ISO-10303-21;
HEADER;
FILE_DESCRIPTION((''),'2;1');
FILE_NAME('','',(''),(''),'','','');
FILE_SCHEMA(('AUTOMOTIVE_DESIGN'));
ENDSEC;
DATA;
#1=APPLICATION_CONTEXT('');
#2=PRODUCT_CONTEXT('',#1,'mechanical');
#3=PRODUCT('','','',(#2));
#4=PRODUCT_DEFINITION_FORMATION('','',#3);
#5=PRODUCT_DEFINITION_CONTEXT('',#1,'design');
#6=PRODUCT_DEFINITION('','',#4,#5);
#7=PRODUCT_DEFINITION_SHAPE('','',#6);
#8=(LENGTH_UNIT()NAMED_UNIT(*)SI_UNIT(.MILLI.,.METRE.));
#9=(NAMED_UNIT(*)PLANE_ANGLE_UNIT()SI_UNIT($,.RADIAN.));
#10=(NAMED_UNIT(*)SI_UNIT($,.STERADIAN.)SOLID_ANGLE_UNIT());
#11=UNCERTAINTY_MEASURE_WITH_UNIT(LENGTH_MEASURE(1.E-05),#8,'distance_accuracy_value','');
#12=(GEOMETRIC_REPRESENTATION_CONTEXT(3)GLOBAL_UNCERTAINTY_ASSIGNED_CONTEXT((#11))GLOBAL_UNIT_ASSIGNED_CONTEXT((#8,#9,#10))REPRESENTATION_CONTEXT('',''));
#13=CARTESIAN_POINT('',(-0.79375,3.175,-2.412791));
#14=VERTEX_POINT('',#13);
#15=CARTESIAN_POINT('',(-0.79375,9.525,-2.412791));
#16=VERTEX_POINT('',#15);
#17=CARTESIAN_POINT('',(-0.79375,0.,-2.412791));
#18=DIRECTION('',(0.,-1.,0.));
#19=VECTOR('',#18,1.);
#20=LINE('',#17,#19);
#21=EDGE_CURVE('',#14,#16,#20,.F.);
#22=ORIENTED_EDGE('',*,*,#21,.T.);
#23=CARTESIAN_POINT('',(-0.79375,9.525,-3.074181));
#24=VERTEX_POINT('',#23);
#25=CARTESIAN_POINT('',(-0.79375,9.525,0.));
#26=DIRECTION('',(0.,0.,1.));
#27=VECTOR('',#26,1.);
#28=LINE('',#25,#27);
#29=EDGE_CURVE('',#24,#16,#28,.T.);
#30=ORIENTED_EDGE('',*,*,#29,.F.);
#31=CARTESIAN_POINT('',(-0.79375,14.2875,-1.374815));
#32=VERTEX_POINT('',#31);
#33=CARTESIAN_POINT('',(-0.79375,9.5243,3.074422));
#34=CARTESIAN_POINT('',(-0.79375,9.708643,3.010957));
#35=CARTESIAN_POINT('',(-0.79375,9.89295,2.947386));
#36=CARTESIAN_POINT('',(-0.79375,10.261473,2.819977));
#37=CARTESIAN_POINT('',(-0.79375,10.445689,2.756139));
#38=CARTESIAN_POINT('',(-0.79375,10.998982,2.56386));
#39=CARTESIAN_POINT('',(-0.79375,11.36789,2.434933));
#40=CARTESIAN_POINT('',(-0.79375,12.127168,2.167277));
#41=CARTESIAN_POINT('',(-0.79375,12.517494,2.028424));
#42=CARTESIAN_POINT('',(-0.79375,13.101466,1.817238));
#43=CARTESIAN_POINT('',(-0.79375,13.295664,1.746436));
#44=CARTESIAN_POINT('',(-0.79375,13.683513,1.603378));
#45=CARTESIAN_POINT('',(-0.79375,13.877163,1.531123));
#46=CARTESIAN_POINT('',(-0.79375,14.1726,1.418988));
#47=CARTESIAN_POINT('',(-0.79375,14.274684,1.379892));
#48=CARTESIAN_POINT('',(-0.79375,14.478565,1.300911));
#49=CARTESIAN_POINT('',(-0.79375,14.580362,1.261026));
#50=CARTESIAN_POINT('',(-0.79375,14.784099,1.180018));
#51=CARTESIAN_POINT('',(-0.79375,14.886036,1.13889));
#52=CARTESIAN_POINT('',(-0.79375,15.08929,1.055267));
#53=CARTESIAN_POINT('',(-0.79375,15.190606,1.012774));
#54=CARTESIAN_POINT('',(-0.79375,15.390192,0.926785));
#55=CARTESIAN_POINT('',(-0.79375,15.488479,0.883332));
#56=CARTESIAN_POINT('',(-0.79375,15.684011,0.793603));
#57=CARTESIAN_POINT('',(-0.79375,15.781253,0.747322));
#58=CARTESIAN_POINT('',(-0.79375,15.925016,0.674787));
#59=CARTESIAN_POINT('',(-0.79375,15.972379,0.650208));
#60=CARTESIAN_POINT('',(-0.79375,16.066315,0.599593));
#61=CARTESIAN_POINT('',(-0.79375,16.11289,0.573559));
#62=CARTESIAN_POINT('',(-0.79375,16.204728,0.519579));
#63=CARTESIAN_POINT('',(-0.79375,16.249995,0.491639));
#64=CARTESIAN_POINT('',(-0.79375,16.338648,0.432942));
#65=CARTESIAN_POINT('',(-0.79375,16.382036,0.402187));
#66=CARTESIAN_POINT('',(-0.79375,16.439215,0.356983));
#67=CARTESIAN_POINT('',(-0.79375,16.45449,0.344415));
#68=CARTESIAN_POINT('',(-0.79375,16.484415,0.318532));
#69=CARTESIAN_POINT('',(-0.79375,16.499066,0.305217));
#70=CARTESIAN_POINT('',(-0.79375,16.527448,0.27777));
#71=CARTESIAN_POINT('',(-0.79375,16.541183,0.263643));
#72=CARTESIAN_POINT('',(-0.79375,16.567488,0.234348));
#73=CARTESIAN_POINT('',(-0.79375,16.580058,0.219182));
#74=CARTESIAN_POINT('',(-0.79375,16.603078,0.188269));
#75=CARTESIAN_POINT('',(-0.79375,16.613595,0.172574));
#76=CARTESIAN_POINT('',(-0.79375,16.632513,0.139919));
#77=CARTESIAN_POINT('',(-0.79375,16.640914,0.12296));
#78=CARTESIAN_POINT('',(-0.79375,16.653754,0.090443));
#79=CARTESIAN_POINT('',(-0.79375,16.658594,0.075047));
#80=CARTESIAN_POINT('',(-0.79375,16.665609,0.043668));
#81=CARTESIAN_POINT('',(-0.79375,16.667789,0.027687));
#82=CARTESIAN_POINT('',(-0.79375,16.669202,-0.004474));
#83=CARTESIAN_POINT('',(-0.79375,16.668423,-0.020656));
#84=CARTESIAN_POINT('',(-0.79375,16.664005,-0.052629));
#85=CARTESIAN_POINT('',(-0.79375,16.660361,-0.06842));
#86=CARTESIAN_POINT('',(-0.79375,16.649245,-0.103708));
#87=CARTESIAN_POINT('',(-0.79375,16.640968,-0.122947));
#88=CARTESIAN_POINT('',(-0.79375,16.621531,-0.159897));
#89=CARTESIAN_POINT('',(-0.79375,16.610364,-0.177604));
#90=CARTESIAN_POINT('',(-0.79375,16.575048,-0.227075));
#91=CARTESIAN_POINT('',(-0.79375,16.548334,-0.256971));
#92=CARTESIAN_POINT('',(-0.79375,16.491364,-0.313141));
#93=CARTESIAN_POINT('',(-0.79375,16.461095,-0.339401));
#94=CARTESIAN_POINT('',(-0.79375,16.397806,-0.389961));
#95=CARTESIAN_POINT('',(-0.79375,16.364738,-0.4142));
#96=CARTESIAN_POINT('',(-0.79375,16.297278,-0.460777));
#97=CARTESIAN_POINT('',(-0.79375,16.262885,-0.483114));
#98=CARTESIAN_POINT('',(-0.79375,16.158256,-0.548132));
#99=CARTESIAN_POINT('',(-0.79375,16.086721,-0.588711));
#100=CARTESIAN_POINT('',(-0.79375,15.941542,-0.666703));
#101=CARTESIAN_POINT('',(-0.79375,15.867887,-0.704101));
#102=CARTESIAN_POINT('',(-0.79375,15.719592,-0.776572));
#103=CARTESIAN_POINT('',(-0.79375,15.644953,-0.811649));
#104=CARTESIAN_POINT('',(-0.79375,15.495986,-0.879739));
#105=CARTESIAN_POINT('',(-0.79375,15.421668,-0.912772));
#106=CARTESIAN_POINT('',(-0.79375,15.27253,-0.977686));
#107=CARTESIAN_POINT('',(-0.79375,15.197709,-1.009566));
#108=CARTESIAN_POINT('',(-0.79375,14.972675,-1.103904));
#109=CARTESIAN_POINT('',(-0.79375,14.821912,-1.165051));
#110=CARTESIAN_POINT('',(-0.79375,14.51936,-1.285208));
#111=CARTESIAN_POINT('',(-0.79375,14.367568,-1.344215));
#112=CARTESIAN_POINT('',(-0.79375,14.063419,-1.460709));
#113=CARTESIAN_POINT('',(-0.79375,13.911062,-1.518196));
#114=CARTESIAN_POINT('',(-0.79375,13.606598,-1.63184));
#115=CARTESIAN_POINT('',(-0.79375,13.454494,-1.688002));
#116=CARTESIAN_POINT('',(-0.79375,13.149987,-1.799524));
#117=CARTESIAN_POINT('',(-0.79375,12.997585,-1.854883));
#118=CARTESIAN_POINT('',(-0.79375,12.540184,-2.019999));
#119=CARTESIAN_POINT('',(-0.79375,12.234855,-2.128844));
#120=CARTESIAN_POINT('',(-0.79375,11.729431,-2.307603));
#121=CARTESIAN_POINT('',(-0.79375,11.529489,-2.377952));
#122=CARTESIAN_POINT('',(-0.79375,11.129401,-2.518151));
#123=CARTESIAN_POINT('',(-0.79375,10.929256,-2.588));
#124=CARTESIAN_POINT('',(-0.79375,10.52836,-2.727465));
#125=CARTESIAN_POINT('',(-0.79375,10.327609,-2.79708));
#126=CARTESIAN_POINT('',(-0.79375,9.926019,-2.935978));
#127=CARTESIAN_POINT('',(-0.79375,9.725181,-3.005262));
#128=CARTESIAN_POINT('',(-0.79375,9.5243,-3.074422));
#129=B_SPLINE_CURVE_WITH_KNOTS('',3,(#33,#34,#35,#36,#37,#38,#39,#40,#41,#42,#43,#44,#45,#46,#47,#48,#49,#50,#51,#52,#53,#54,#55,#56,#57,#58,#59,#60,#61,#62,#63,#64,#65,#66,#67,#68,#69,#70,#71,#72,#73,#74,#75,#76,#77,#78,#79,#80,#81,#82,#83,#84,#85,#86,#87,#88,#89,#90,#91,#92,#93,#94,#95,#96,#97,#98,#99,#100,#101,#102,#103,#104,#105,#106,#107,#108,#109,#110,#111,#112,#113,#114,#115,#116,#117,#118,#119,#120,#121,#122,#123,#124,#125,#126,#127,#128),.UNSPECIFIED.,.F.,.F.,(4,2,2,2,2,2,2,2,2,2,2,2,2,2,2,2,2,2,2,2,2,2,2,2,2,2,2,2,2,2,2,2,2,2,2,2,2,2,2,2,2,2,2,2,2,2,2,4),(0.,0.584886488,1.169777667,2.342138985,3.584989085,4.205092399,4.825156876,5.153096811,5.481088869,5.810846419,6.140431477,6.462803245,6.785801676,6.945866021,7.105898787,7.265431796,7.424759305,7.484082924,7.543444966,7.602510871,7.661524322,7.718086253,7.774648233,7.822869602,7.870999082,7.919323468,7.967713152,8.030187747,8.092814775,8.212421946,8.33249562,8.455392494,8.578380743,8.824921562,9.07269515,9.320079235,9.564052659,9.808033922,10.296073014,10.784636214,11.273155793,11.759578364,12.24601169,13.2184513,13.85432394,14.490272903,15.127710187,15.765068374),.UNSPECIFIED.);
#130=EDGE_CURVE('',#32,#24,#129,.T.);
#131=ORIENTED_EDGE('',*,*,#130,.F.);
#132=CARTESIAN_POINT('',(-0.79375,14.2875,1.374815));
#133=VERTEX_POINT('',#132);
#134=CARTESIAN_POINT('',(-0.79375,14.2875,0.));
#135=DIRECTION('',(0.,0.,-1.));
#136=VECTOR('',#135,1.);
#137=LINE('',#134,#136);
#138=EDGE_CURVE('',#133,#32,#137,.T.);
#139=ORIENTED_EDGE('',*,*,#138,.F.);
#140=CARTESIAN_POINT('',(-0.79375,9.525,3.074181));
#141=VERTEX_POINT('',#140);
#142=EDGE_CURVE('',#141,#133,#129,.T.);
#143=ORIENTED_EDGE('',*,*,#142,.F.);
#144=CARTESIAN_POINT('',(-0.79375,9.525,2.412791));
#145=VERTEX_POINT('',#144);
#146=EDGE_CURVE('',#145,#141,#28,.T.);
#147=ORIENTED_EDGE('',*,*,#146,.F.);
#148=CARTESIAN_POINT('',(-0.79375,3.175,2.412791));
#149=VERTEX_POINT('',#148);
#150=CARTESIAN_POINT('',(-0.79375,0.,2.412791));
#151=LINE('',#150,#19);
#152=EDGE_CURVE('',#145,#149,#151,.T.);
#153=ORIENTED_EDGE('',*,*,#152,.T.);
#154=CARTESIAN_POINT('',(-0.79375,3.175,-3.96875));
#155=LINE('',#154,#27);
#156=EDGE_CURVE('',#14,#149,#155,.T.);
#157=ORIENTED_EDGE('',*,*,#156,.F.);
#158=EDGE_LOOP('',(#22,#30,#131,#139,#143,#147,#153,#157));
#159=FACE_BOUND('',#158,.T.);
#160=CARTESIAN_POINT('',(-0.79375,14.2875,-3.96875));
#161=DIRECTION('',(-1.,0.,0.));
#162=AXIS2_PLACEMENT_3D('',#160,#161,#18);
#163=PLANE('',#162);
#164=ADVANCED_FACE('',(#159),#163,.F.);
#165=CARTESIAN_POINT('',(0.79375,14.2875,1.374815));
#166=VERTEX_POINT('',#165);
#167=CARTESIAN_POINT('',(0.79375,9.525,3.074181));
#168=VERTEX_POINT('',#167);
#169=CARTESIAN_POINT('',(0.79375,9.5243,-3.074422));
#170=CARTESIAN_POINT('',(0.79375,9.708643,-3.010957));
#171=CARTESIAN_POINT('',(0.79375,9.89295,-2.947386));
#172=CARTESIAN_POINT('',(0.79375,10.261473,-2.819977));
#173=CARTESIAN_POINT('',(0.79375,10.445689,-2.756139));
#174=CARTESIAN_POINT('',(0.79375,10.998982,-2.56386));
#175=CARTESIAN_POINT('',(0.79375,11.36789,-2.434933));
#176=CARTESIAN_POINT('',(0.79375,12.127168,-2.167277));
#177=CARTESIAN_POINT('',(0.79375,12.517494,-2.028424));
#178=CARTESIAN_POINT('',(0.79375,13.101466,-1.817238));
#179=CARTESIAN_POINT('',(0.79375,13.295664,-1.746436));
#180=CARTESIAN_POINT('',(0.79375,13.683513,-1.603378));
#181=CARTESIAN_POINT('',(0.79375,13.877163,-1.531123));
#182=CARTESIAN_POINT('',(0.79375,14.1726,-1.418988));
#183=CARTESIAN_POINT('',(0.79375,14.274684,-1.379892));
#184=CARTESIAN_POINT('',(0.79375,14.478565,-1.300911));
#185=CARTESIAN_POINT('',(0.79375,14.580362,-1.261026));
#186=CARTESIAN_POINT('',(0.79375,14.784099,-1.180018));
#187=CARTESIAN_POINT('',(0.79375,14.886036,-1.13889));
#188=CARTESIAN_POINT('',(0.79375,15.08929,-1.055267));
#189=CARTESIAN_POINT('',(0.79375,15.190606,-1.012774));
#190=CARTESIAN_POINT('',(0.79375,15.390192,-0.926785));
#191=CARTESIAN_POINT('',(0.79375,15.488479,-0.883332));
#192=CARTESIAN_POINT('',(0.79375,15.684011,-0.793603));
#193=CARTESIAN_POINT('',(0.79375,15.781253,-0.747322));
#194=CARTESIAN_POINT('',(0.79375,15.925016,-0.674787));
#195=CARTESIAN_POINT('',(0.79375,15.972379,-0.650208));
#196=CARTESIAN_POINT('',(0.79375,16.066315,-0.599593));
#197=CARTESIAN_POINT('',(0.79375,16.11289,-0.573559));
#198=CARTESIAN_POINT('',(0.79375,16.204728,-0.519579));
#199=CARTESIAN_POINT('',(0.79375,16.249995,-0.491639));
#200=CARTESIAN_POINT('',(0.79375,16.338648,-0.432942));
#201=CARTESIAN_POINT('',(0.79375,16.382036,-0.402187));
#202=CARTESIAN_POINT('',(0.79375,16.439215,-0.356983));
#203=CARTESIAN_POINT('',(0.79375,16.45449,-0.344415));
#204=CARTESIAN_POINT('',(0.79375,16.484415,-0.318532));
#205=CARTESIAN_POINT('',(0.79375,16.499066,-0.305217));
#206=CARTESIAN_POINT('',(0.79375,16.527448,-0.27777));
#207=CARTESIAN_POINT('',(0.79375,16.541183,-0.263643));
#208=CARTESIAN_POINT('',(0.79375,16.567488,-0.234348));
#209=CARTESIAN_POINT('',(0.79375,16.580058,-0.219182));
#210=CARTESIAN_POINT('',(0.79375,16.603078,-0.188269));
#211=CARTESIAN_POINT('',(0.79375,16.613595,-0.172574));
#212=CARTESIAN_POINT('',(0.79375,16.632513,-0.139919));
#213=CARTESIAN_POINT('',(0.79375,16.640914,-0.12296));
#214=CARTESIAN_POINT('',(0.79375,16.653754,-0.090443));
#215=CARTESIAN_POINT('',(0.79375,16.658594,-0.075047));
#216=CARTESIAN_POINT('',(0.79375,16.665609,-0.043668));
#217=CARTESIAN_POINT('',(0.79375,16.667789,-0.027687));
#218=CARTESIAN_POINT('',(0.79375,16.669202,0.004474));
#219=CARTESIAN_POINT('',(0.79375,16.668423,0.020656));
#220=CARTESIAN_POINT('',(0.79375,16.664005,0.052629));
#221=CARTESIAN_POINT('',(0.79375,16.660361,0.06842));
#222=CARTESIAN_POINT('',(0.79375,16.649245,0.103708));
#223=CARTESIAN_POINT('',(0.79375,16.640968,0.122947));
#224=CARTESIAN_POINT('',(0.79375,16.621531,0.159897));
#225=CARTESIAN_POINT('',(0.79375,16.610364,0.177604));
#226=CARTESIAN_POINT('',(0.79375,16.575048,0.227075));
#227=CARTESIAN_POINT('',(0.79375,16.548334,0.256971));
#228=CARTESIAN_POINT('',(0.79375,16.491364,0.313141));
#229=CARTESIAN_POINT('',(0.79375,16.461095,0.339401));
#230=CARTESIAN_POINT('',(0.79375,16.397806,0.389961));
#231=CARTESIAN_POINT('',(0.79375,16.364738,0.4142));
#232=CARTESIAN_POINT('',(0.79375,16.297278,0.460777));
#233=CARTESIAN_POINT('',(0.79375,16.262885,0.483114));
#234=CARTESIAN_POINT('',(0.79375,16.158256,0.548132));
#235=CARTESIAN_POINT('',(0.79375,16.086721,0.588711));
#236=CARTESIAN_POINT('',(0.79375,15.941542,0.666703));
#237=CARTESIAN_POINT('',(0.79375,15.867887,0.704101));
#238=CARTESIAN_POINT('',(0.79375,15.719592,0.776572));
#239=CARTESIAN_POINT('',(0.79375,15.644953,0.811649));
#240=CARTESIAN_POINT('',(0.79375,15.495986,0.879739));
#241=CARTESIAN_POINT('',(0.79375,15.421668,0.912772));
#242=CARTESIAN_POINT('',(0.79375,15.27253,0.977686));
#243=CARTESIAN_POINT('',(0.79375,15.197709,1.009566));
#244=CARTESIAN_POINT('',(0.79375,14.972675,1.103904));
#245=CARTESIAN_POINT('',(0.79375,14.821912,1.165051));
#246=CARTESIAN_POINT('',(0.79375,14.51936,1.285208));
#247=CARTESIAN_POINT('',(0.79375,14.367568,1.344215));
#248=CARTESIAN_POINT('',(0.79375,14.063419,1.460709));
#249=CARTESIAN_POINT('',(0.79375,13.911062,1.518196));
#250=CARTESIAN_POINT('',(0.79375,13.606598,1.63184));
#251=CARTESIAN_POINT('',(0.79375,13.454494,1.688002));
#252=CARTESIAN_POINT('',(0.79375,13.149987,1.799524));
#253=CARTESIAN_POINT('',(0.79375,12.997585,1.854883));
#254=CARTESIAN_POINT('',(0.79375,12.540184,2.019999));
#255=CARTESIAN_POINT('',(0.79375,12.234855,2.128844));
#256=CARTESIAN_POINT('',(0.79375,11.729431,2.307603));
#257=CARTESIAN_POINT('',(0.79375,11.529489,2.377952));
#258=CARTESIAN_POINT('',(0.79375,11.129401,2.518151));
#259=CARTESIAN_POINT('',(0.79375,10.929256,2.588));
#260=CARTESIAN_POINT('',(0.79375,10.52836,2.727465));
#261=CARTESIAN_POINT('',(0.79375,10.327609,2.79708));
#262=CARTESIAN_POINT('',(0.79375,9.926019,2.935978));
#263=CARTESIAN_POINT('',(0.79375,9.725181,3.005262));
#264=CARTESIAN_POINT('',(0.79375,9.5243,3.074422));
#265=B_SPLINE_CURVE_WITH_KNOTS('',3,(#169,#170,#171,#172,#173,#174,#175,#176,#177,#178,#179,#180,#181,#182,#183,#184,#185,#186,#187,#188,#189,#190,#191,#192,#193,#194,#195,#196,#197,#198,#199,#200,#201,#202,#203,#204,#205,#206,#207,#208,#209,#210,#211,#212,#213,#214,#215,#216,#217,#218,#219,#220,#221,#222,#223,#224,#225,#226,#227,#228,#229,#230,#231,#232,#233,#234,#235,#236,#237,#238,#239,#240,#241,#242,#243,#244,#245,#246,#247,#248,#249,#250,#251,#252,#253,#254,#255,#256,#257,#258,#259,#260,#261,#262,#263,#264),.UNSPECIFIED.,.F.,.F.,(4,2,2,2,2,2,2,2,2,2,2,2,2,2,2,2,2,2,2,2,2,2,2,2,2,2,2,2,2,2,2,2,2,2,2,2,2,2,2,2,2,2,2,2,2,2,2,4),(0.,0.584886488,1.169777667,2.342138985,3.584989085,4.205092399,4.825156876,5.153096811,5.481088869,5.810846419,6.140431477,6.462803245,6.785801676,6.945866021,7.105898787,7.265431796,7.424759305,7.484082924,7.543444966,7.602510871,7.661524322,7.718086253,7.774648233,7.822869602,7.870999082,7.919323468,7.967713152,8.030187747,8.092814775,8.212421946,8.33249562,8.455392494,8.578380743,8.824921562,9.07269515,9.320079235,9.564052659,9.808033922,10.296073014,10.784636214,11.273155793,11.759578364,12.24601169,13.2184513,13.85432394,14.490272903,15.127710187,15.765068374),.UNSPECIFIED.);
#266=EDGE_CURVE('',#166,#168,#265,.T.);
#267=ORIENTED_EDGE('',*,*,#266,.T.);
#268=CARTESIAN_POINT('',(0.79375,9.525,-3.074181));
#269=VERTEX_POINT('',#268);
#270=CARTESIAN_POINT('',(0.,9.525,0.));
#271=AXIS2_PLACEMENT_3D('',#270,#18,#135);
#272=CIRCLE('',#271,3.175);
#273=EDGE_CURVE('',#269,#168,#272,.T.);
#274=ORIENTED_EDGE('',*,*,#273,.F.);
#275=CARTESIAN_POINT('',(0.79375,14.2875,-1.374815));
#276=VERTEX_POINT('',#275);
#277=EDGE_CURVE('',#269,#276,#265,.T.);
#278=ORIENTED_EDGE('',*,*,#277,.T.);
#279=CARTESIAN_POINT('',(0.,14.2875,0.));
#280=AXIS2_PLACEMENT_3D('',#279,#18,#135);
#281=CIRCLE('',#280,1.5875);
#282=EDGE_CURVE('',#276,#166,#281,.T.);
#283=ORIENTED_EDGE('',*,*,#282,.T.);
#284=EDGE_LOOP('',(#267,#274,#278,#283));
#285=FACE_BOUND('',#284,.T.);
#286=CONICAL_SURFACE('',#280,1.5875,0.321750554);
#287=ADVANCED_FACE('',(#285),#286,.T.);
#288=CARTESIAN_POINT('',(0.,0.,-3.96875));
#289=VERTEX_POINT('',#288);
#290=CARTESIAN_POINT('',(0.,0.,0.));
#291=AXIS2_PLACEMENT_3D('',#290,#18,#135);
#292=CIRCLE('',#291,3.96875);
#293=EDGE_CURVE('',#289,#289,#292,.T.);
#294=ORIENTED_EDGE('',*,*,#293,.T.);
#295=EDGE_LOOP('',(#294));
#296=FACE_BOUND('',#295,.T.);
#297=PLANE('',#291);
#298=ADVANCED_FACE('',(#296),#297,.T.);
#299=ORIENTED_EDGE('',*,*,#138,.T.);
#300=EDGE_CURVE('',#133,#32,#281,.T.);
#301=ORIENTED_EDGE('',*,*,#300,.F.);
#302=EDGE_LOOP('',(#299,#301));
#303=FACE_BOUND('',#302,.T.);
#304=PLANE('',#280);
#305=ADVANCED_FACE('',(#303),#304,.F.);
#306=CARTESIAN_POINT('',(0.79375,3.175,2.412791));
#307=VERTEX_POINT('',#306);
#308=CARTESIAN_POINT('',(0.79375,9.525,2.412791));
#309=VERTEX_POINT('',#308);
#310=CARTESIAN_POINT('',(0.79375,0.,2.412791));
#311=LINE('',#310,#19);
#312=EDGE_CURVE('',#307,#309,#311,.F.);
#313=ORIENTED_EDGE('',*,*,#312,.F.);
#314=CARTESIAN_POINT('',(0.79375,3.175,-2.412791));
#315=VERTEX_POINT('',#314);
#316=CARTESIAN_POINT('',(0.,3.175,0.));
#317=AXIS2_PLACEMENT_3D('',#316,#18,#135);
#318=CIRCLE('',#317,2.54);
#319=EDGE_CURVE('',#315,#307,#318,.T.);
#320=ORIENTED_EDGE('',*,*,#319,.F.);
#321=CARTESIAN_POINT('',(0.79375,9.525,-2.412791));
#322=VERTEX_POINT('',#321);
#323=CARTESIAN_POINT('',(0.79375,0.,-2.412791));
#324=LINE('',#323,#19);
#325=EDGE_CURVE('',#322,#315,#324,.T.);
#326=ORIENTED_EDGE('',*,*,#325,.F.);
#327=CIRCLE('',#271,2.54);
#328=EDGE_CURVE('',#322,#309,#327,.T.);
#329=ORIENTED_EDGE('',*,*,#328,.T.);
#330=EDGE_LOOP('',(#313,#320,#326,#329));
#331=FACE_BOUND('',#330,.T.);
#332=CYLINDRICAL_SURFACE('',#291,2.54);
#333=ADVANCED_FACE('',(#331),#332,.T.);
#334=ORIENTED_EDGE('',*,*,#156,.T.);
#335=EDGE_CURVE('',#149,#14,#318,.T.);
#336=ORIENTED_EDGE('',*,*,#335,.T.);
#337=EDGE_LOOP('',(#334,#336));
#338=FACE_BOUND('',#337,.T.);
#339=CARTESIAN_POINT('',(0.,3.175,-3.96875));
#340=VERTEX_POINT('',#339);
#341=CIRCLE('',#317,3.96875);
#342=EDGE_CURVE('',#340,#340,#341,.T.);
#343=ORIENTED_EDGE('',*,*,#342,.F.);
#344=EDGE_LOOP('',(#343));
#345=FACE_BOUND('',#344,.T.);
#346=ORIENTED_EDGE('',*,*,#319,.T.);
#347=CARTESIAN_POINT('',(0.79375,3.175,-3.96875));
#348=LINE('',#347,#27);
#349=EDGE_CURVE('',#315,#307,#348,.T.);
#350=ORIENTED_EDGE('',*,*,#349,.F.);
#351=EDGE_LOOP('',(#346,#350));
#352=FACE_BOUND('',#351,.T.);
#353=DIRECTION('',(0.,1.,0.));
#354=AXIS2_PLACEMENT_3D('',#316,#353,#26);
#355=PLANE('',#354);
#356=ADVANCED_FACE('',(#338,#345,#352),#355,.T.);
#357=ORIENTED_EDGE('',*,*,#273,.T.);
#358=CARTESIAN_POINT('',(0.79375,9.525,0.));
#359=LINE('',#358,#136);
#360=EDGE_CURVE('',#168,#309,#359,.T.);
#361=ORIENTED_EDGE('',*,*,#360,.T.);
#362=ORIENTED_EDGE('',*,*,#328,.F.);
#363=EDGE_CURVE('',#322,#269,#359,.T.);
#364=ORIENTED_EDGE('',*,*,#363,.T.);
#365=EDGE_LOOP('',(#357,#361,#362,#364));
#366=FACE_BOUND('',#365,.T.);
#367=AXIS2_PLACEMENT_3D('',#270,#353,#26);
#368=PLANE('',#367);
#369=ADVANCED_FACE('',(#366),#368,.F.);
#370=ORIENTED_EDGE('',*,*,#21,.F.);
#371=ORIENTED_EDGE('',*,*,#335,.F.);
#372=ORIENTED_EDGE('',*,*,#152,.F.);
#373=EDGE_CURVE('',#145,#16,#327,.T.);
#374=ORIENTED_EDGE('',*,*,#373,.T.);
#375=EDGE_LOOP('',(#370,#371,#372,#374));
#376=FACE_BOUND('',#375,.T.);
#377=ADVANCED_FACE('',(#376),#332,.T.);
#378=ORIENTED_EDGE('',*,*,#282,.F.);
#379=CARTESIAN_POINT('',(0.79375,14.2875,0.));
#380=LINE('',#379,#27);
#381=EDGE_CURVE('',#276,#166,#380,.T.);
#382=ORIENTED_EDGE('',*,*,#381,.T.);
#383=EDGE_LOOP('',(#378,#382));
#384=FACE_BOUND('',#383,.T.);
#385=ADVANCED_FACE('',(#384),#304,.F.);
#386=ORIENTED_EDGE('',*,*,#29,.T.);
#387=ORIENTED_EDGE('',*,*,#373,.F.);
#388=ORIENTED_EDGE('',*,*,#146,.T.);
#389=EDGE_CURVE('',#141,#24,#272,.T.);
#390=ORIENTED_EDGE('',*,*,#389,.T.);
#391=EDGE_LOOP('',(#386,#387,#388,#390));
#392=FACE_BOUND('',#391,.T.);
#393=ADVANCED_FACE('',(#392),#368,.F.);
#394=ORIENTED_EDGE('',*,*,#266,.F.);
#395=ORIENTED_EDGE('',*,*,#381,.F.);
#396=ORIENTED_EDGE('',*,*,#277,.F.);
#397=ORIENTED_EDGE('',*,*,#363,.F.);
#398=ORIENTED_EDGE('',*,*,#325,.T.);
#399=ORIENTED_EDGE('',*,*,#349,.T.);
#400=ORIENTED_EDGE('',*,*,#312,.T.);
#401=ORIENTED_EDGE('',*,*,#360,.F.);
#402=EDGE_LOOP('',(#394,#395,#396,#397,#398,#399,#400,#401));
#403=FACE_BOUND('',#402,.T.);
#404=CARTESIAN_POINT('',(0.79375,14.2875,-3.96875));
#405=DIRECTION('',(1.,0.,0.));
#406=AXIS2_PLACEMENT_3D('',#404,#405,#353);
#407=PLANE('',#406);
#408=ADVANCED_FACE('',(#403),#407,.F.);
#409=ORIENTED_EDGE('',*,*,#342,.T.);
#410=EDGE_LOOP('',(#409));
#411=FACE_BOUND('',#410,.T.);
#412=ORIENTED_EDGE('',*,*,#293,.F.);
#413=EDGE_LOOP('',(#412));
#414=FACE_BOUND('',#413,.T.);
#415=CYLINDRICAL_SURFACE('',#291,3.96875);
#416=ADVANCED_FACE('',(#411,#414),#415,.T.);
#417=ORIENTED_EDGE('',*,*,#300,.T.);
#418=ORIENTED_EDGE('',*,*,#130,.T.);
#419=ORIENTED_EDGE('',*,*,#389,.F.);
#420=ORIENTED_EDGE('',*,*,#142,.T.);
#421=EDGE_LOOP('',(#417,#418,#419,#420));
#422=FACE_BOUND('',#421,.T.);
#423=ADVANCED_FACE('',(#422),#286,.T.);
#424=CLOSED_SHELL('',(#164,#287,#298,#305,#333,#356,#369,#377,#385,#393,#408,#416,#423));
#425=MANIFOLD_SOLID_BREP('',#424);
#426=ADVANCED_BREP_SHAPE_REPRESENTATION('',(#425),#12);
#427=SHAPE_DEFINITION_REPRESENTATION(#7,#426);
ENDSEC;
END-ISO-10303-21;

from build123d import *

# Parameters (mm, degrees)
SKETCH1_W               = 2.54
SKETCH1_H               = 6.35
SKETCH2_W               = 1.5875
SKETCH2_H               = 11.1125
CUT_EXTRUDE1_DEPTH      = 4.96875
CUT_EXTRUDE1_DEPTH_BACK = 4.96875


with BuildPart() as part:
    # Sketch1 → Revolve1 (revolve)
    with BuildSketch(Plane(origin=(0, 0, 0), x_dir=(0, 0, -1), z_dir=(1, 0, 0))):
        Polygon((0, 3.175), (0, 0), (3.96875, 0), (3.96875, 3.175), (2.54, 3.175), align=None)
        with Locations((1.27, 6.35)):
            Rectangle(SKETCH1_W, SKETCH1_H)
        Polygon((0, 14.2875), (0, 9.525), (2.54, 9.525), (3.175, 9.525), (1.5875, 14.2875), align=None)
    revolve(axis=Axis((0, 0, 0), (0, 1, 0)))

    # Sketch2 → Cut-Extrude1 (cut, two sides)
    with BuildSketch(Plane.XY) as cut_extrude1_sk:
        with Locations((0, 8.73125)):
            Rectangle(SKETCH2_W, SKETCH2_H)
    extrude(amount=CUT_EXTRUDE1_DEPTH, mode=Mode.SUBTRACT)
    extrude(cut_extrude1_sk.sketch, amount=-CUT_EXTRUDE1_DEPTH_BACK, mode=Mode.SUBTRACT)


solid = part.part
